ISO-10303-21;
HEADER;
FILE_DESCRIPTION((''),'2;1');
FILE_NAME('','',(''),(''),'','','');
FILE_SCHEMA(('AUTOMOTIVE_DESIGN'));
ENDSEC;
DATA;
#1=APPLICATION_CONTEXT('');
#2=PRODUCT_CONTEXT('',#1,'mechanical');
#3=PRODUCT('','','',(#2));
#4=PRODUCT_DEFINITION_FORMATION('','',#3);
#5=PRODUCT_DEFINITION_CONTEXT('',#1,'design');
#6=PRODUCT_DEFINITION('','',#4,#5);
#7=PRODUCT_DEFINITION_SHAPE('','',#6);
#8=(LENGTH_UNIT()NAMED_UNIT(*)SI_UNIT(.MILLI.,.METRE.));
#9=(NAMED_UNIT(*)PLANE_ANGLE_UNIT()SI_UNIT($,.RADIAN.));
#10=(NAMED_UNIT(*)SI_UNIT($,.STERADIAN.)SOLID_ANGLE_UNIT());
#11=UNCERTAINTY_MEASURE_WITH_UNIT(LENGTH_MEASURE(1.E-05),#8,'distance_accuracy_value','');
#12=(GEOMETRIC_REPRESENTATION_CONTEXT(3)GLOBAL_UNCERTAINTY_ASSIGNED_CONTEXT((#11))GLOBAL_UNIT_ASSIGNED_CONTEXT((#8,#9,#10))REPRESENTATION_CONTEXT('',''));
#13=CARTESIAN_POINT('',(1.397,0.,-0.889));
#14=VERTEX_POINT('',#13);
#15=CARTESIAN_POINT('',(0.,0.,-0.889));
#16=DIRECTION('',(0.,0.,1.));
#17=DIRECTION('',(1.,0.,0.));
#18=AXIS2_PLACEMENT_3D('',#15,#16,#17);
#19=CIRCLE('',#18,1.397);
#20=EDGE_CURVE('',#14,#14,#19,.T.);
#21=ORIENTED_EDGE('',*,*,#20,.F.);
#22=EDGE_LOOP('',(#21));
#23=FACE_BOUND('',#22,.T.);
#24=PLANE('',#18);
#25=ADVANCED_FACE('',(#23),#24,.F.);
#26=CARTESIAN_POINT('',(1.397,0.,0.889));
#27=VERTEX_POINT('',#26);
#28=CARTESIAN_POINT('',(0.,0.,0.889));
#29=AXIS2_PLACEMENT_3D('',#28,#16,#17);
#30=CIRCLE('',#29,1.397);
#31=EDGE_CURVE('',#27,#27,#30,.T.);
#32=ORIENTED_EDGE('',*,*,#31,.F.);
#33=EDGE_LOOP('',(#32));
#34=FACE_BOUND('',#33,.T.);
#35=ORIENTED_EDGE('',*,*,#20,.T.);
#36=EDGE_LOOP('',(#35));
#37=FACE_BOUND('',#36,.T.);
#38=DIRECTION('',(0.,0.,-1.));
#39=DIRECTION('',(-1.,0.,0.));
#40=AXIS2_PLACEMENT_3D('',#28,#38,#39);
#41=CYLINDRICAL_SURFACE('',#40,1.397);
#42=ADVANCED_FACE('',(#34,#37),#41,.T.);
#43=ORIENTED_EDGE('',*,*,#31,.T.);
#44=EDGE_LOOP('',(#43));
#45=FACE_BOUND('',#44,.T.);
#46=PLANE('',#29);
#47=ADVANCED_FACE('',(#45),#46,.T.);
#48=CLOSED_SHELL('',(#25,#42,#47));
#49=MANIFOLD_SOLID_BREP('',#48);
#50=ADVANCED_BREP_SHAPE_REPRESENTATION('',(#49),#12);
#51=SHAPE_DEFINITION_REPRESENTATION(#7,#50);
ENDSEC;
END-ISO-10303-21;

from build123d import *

# Parameters (mm, degrees)
SKETCH1_R           = 1.397
BOSS_EXTRUDE1_DEPTH = 0.889


with BuildPart() as part:
    # Sketch1 → Boss-Extrude1 (new body, symmetric)
    with BuildSketch(Plane.XY):
        Circle(SKETCH1_R)
    extrude(amount=BOSS_EXTRUDE1_DEPTH, both=True)


solid = part.part
